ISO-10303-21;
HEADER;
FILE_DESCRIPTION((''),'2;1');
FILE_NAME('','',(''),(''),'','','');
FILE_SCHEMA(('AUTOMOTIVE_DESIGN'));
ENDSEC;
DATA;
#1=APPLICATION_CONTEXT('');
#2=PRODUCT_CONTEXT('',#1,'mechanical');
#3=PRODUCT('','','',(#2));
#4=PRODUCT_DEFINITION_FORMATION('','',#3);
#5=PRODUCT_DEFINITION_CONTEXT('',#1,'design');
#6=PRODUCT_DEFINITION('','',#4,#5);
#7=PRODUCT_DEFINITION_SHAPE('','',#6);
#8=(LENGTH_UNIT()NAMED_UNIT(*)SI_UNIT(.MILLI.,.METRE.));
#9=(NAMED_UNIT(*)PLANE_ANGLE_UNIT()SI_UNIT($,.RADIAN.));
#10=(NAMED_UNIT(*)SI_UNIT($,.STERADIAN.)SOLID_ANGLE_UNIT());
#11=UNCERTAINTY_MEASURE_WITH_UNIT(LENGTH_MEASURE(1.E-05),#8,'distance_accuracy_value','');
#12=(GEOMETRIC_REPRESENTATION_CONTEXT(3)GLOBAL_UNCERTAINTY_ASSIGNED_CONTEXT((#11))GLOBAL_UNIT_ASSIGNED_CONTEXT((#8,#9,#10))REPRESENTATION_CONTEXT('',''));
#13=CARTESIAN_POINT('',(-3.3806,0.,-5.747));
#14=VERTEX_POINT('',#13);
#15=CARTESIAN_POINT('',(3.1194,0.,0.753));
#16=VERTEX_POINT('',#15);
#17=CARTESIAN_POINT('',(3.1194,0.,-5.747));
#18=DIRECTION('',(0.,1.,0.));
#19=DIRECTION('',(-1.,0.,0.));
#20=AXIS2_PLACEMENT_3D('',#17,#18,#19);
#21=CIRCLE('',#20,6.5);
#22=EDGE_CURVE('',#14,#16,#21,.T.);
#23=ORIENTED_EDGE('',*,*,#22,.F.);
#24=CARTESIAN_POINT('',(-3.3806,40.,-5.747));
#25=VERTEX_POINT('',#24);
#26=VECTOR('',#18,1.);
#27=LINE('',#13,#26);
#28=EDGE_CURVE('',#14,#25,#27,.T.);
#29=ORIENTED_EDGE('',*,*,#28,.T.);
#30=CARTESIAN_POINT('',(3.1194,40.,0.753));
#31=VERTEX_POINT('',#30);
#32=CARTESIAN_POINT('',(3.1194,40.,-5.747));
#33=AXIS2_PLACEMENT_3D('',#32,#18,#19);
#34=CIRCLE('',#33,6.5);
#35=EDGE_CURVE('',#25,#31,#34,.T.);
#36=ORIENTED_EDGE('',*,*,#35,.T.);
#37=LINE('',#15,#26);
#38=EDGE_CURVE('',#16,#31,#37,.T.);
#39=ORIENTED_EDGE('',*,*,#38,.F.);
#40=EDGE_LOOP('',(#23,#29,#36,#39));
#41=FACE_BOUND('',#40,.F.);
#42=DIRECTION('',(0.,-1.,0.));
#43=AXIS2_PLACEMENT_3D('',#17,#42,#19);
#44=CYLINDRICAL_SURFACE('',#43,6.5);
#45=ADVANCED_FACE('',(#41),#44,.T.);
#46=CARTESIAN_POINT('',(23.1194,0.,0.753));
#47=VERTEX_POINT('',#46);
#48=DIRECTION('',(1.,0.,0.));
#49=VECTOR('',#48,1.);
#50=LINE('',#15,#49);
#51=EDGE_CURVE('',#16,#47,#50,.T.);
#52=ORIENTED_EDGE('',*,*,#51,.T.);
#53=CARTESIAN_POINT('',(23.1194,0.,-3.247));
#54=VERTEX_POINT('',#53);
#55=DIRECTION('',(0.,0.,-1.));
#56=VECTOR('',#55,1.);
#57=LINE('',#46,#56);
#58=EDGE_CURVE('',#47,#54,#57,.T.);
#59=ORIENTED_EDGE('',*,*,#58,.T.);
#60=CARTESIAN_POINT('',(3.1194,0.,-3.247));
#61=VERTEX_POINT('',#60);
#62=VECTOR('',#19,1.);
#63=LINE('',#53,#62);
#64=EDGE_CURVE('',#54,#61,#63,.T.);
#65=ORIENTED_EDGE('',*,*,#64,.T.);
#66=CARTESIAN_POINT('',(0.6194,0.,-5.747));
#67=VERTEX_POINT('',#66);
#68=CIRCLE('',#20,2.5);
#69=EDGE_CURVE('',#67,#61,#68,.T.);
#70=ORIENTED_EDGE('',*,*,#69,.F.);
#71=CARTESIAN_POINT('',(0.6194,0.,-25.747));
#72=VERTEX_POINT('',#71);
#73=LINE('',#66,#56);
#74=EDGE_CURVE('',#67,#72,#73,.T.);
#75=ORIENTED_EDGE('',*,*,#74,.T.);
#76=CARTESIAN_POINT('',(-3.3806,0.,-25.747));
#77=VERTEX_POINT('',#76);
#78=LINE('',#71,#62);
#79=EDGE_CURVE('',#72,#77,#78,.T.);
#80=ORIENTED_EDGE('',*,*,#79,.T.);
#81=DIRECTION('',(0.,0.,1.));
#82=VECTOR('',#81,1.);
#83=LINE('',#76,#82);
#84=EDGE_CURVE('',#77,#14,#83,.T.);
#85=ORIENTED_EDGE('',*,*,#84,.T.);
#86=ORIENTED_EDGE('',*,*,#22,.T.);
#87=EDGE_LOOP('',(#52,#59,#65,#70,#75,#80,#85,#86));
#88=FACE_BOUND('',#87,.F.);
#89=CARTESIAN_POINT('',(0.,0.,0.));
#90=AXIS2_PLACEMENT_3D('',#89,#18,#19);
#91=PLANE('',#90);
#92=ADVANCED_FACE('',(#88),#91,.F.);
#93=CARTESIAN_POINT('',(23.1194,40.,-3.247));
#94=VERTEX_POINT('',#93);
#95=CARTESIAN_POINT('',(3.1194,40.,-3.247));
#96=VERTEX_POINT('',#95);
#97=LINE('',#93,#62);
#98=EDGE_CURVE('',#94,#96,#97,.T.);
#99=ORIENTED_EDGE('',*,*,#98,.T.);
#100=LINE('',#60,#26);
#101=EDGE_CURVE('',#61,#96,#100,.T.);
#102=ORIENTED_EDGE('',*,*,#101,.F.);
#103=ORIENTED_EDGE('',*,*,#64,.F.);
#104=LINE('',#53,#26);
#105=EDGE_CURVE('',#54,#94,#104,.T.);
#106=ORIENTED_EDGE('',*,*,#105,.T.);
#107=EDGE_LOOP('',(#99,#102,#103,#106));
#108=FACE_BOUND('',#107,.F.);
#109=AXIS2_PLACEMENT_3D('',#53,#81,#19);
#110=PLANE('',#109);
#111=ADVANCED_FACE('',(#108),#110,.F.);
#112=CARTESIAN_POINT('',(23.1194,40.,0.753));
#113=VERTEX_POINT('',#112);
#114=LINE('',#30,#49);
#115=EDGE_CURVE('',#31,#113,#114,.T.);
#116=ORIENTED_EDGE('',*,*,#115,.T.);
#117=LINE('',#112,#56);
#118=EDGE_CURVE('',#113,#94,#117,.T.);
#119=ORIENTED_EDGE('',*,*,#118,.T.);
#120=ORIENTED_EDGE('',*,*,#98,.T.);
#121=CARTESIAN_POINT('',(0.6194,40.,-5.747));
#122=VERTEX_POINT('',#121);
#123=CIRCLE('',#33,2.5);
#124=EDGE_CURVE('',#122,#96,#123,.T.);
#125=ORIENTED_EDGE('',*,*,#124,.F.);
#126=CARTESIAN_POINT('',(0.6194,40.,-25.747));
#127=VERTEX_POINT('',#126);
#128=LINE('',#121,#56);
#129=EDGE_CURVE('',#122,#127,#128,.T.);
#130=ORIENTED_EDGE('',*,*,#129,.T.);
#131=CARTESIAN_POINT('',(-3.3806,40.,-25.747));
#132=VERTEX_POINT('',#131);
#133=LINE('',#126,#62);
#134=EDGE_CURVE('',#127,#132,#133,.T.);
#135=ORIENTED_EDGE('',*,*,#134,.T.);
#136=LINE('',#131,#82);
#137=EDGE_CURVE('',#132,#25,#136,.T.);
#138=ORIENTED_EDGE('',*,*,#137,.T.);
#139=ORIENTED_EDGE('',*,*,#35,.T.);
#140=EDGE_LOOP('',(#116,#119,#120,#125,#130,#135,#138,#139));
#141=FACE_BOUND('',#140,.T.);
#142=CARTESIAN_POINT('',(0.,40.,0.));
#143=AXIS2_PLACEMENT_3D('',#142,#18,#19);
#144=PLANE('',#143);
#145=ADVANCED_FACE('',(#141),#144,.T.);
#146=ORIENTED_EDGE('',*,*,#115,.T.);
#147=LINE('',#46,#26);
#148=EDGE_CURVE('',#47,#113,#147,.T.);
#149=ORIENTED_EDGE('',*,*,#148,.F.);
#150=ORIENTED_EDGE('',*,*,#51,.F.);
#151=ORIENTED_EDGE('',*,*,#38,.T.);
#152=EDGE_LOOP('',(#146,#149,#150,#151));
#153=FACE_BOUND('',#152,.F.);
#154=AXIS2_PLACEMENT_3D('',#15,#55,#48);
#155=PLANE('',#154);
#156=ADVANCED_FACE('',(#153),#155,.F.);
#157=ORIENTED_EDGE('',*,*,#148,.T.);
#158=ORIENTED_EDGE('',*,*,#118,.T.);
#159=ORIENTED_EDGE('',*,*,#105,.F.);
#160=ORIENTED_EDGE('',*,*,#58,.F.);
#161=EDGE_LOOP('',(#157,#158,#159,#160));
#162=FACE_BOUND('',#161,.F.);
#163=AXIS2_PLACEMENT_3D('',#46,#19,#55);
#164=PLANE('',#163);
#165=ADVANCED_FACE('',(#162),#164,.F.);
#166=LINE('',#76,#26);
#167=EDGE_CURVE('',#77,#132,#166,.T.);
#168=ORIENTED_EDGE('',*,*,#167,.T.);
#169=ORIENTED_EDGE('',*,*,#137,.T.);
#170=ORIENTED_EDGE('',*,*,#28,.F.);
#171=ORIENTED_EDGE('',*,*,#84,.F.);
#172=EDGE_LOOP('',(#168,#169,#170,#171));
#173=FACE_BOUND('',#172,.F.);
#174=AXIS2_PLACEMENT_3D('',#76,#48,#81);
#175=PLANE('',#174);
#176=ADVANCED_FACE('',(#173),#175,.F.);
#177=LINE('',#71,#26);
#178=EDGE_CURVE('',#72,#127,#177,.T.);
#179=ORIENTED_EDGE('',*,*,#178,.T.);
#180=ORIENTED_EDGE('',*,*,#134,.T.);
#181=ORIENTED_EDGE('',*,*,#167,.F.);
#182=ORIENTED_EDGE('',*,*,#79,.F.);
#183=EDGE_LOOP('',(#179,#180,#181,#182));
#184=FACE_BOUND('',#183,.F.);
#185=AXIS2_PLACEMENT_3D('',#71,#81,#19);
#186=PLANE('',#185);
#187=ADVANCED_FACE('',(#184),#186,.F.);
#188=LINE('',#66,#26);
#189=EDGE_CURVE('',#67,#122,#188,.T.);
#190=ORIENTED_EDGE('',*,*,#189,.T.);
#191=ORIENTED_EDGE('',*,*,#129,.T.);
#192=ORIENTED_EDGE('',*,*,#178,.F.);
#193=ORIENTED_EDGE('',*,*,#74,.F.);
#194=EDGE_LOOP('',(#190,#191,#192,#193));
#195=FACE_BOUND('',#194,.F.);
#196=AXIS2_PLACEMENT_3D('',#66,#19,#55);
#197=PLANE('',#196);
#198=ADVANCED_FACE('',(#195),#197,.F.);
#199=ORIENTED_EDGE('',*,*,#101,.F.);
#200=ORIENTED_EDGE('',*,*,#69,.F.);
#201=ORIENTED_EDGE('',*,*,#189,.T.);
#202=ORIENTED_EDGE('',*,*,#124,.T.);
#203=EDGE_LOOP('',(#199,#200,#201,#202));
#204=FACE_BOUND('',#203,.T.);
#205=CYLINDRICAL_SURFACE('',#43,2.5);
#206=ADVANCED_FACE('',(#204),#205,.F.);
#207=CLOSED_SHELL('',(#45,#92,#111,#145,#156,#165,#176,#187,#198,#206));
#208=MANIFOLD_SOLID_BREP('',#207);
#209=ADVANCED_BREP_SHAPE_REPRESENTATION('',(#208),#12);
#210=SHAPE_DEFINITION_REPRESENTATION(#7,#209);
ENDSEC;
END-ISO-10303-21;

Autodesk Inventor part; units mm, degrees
ref_plane "YZ Plane" through (0, 0, 0) normal (1, 0, 0) x (0, 1, 0)
ref_plane "XZ Plane" through (0, 0, 0) normal (0, 1, 0) x (-1, 0, 0)
ref_plane "XY Plane" through (0, 0, 0) normal (0, 0, 1) x (1, 0, 0)
sketch "Sketch1" plane through (0, 0, 0) normal (0, 1, 0) x (-1, 0, 0)
  line L0 (-3.1194, 0.753) -> (-23.1194, 0.753)
  line L1 (-23.1194, 0.753) -> (-23.1194, -3.247)
  line L2 (-23.1194, -3.247) -> (-3.1194, -3.247)
  line L3 (-0.6194, -5.747) -> (-0.6194, -25.747)
  line L4 (-0.6194, -25.747) -> (3.3806, -25.747)
  line L5 (3.3806, -25.747) -> (3.3806, -5.747)
  arc A0 (-0.6194, -5.747) -> (-3.1194, -3.247) centre (-3.1194, -5.747) ccw
  arc A1 (3.3806, -5.747) -> (-3.1194, 0.753) centre (-3.1194, -5.747) ccw
  point P0 (0, 0)
  dimension "d0" = 20
  dimension "d1" = 4
  dimension "d2" = 4
  dimension "d3" = 20
  dimension "d6" = 2.5
  dimension "d7" = 6.5
extrude "Extrusion1" add sketch "Sketch1" along normal blind 40
properties part number "Cylinder holding bracket"
